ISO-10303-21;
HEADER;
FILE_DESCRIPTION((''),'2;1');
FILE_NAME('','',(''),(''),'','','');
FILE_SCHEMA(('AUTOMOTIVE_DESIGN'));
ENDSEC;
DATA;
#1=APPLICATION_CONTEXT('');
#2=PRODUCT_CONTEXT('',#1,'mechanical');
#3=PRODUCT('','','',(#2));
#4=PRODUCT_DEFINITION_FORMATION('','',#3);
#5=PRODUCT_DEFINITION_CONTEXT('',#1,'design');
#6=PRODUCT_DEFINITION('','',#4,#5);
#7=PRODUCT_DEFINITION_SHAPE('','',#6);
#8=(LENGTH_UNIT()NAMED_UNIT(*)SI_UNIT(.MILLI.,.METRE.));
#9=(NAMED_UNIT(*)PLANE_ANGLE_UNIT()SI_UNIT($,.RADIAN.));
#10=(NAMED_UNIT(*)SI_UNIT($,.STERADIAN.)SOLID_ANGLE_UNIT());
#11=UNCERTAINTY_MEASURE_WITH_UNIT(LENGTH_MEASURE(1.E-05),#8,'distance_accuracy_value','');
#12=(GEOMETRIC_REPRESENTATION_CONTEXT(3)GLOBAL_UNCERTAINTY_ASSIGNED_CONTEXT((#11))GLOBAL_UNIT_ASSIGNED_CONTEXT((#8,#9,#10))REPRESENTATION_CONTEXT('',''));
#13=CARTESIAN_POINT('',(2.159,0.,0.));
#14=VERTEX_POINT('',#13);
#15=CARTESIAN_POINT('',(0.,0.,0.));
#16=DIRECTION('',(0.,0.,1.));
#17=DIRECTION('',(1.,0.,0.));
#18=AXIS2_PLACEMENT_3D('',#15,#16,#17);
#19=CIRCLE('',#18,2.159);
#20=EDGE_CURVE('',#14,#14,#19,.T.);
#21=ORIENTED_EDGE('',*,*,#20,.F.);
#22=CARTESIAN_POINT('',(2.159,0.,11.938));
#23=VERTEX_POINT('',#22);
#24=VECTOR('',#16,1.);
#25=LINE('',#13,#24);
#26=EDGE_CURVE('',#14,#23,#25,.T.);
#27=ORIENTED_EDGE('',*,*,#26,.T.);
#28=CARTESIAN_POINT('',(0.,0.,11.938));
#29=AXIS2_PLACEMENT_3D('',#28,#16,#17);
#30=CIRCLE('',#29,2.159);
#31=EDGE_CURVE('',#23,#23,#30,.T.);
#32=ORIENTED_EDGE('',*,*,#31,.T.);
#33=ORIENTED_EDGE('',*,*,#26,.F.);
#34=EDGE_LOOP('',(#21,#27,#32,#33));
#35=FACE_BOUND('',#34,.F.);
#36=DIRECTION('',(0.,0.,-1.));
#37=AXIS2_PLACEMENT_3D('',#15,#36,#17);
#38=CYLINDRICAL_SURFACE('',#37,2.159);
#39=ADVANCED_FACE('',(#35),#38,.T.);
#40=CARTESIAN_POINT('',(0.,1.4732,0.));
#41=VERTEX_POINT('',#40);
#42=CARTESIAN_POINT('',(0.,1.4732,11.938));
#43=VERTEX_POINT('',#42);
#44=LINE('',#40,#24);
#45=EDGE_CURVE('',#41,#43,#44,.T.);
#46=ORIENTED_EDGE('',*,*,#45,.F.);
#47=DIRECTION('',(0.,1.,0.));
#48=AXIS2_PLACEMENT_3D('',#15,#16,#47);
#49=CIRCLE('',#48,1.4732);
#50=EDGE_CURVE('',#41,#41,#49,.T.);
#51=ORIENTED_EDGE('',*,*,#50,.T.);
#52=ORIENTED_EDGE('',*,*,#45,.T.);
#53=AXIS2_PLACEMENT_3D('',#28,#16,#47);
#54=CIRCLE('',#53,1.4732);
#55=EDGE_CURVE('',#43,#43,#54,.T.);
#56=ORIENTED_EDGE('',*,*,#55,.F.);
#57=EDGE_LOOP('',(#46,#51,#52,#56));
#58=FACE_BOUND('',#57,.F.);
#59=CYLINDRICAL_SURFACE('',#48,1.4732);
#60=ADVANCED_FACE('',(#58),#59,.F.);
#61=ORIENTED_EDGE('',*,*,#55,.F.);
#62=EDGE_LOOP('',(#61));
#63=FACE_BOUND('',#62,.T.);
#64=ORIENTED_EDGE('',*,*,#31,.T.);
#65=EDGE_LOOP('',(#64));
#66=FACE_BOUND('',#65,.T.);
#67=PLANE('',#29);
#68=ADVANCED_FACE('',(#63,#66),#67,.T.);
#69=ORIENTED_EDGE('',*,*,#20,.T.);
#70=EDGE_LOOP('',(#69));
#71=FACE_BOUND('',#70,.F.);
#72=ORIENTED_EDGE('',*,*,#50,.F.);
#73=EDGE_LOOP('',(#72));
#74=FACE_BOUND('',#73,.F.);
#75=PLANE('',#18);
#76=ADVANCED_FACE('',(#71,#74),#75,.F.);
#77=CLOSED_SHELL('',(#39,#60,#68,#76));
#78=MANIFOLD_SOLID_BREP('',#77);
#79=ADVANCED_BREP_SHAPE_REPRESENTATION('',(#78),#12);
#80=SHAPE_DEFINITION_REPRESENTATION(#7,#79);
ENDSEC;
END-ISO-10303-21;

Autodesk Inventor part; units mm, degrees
ref_plane "YZ Plane" through (0, 0, 0) normal (1, 0, 0) x (0, 1, 0)
ref_plane "XZ Plane" through (0, 0, 0) normal (0, 1, 0) x (-1, 0, 0)
ref_plane "XY Plane" through (0, 0, 0) normal (0, 0, 1) x (1, 0, 0)
sketch "Sketch1" plane through (0, 0, 0) normal (0, 0, 1) x (1, 0, 0)
  circle A0 centre (0, 0) radius 2.159
  dimension "d0" = 4.318
extrude "Extrusion1" add sketch "Sketch1" along normal blind 11.938
hole "Hole1" at (0, 0, 0) direction (0, 0, 1) diameter 2.9464 end through all clearance for "Flat Head Machine Screw (82)" size "#4" standard "Ansi Unified Screw Threads"
properties part number "Mounting Insert"
